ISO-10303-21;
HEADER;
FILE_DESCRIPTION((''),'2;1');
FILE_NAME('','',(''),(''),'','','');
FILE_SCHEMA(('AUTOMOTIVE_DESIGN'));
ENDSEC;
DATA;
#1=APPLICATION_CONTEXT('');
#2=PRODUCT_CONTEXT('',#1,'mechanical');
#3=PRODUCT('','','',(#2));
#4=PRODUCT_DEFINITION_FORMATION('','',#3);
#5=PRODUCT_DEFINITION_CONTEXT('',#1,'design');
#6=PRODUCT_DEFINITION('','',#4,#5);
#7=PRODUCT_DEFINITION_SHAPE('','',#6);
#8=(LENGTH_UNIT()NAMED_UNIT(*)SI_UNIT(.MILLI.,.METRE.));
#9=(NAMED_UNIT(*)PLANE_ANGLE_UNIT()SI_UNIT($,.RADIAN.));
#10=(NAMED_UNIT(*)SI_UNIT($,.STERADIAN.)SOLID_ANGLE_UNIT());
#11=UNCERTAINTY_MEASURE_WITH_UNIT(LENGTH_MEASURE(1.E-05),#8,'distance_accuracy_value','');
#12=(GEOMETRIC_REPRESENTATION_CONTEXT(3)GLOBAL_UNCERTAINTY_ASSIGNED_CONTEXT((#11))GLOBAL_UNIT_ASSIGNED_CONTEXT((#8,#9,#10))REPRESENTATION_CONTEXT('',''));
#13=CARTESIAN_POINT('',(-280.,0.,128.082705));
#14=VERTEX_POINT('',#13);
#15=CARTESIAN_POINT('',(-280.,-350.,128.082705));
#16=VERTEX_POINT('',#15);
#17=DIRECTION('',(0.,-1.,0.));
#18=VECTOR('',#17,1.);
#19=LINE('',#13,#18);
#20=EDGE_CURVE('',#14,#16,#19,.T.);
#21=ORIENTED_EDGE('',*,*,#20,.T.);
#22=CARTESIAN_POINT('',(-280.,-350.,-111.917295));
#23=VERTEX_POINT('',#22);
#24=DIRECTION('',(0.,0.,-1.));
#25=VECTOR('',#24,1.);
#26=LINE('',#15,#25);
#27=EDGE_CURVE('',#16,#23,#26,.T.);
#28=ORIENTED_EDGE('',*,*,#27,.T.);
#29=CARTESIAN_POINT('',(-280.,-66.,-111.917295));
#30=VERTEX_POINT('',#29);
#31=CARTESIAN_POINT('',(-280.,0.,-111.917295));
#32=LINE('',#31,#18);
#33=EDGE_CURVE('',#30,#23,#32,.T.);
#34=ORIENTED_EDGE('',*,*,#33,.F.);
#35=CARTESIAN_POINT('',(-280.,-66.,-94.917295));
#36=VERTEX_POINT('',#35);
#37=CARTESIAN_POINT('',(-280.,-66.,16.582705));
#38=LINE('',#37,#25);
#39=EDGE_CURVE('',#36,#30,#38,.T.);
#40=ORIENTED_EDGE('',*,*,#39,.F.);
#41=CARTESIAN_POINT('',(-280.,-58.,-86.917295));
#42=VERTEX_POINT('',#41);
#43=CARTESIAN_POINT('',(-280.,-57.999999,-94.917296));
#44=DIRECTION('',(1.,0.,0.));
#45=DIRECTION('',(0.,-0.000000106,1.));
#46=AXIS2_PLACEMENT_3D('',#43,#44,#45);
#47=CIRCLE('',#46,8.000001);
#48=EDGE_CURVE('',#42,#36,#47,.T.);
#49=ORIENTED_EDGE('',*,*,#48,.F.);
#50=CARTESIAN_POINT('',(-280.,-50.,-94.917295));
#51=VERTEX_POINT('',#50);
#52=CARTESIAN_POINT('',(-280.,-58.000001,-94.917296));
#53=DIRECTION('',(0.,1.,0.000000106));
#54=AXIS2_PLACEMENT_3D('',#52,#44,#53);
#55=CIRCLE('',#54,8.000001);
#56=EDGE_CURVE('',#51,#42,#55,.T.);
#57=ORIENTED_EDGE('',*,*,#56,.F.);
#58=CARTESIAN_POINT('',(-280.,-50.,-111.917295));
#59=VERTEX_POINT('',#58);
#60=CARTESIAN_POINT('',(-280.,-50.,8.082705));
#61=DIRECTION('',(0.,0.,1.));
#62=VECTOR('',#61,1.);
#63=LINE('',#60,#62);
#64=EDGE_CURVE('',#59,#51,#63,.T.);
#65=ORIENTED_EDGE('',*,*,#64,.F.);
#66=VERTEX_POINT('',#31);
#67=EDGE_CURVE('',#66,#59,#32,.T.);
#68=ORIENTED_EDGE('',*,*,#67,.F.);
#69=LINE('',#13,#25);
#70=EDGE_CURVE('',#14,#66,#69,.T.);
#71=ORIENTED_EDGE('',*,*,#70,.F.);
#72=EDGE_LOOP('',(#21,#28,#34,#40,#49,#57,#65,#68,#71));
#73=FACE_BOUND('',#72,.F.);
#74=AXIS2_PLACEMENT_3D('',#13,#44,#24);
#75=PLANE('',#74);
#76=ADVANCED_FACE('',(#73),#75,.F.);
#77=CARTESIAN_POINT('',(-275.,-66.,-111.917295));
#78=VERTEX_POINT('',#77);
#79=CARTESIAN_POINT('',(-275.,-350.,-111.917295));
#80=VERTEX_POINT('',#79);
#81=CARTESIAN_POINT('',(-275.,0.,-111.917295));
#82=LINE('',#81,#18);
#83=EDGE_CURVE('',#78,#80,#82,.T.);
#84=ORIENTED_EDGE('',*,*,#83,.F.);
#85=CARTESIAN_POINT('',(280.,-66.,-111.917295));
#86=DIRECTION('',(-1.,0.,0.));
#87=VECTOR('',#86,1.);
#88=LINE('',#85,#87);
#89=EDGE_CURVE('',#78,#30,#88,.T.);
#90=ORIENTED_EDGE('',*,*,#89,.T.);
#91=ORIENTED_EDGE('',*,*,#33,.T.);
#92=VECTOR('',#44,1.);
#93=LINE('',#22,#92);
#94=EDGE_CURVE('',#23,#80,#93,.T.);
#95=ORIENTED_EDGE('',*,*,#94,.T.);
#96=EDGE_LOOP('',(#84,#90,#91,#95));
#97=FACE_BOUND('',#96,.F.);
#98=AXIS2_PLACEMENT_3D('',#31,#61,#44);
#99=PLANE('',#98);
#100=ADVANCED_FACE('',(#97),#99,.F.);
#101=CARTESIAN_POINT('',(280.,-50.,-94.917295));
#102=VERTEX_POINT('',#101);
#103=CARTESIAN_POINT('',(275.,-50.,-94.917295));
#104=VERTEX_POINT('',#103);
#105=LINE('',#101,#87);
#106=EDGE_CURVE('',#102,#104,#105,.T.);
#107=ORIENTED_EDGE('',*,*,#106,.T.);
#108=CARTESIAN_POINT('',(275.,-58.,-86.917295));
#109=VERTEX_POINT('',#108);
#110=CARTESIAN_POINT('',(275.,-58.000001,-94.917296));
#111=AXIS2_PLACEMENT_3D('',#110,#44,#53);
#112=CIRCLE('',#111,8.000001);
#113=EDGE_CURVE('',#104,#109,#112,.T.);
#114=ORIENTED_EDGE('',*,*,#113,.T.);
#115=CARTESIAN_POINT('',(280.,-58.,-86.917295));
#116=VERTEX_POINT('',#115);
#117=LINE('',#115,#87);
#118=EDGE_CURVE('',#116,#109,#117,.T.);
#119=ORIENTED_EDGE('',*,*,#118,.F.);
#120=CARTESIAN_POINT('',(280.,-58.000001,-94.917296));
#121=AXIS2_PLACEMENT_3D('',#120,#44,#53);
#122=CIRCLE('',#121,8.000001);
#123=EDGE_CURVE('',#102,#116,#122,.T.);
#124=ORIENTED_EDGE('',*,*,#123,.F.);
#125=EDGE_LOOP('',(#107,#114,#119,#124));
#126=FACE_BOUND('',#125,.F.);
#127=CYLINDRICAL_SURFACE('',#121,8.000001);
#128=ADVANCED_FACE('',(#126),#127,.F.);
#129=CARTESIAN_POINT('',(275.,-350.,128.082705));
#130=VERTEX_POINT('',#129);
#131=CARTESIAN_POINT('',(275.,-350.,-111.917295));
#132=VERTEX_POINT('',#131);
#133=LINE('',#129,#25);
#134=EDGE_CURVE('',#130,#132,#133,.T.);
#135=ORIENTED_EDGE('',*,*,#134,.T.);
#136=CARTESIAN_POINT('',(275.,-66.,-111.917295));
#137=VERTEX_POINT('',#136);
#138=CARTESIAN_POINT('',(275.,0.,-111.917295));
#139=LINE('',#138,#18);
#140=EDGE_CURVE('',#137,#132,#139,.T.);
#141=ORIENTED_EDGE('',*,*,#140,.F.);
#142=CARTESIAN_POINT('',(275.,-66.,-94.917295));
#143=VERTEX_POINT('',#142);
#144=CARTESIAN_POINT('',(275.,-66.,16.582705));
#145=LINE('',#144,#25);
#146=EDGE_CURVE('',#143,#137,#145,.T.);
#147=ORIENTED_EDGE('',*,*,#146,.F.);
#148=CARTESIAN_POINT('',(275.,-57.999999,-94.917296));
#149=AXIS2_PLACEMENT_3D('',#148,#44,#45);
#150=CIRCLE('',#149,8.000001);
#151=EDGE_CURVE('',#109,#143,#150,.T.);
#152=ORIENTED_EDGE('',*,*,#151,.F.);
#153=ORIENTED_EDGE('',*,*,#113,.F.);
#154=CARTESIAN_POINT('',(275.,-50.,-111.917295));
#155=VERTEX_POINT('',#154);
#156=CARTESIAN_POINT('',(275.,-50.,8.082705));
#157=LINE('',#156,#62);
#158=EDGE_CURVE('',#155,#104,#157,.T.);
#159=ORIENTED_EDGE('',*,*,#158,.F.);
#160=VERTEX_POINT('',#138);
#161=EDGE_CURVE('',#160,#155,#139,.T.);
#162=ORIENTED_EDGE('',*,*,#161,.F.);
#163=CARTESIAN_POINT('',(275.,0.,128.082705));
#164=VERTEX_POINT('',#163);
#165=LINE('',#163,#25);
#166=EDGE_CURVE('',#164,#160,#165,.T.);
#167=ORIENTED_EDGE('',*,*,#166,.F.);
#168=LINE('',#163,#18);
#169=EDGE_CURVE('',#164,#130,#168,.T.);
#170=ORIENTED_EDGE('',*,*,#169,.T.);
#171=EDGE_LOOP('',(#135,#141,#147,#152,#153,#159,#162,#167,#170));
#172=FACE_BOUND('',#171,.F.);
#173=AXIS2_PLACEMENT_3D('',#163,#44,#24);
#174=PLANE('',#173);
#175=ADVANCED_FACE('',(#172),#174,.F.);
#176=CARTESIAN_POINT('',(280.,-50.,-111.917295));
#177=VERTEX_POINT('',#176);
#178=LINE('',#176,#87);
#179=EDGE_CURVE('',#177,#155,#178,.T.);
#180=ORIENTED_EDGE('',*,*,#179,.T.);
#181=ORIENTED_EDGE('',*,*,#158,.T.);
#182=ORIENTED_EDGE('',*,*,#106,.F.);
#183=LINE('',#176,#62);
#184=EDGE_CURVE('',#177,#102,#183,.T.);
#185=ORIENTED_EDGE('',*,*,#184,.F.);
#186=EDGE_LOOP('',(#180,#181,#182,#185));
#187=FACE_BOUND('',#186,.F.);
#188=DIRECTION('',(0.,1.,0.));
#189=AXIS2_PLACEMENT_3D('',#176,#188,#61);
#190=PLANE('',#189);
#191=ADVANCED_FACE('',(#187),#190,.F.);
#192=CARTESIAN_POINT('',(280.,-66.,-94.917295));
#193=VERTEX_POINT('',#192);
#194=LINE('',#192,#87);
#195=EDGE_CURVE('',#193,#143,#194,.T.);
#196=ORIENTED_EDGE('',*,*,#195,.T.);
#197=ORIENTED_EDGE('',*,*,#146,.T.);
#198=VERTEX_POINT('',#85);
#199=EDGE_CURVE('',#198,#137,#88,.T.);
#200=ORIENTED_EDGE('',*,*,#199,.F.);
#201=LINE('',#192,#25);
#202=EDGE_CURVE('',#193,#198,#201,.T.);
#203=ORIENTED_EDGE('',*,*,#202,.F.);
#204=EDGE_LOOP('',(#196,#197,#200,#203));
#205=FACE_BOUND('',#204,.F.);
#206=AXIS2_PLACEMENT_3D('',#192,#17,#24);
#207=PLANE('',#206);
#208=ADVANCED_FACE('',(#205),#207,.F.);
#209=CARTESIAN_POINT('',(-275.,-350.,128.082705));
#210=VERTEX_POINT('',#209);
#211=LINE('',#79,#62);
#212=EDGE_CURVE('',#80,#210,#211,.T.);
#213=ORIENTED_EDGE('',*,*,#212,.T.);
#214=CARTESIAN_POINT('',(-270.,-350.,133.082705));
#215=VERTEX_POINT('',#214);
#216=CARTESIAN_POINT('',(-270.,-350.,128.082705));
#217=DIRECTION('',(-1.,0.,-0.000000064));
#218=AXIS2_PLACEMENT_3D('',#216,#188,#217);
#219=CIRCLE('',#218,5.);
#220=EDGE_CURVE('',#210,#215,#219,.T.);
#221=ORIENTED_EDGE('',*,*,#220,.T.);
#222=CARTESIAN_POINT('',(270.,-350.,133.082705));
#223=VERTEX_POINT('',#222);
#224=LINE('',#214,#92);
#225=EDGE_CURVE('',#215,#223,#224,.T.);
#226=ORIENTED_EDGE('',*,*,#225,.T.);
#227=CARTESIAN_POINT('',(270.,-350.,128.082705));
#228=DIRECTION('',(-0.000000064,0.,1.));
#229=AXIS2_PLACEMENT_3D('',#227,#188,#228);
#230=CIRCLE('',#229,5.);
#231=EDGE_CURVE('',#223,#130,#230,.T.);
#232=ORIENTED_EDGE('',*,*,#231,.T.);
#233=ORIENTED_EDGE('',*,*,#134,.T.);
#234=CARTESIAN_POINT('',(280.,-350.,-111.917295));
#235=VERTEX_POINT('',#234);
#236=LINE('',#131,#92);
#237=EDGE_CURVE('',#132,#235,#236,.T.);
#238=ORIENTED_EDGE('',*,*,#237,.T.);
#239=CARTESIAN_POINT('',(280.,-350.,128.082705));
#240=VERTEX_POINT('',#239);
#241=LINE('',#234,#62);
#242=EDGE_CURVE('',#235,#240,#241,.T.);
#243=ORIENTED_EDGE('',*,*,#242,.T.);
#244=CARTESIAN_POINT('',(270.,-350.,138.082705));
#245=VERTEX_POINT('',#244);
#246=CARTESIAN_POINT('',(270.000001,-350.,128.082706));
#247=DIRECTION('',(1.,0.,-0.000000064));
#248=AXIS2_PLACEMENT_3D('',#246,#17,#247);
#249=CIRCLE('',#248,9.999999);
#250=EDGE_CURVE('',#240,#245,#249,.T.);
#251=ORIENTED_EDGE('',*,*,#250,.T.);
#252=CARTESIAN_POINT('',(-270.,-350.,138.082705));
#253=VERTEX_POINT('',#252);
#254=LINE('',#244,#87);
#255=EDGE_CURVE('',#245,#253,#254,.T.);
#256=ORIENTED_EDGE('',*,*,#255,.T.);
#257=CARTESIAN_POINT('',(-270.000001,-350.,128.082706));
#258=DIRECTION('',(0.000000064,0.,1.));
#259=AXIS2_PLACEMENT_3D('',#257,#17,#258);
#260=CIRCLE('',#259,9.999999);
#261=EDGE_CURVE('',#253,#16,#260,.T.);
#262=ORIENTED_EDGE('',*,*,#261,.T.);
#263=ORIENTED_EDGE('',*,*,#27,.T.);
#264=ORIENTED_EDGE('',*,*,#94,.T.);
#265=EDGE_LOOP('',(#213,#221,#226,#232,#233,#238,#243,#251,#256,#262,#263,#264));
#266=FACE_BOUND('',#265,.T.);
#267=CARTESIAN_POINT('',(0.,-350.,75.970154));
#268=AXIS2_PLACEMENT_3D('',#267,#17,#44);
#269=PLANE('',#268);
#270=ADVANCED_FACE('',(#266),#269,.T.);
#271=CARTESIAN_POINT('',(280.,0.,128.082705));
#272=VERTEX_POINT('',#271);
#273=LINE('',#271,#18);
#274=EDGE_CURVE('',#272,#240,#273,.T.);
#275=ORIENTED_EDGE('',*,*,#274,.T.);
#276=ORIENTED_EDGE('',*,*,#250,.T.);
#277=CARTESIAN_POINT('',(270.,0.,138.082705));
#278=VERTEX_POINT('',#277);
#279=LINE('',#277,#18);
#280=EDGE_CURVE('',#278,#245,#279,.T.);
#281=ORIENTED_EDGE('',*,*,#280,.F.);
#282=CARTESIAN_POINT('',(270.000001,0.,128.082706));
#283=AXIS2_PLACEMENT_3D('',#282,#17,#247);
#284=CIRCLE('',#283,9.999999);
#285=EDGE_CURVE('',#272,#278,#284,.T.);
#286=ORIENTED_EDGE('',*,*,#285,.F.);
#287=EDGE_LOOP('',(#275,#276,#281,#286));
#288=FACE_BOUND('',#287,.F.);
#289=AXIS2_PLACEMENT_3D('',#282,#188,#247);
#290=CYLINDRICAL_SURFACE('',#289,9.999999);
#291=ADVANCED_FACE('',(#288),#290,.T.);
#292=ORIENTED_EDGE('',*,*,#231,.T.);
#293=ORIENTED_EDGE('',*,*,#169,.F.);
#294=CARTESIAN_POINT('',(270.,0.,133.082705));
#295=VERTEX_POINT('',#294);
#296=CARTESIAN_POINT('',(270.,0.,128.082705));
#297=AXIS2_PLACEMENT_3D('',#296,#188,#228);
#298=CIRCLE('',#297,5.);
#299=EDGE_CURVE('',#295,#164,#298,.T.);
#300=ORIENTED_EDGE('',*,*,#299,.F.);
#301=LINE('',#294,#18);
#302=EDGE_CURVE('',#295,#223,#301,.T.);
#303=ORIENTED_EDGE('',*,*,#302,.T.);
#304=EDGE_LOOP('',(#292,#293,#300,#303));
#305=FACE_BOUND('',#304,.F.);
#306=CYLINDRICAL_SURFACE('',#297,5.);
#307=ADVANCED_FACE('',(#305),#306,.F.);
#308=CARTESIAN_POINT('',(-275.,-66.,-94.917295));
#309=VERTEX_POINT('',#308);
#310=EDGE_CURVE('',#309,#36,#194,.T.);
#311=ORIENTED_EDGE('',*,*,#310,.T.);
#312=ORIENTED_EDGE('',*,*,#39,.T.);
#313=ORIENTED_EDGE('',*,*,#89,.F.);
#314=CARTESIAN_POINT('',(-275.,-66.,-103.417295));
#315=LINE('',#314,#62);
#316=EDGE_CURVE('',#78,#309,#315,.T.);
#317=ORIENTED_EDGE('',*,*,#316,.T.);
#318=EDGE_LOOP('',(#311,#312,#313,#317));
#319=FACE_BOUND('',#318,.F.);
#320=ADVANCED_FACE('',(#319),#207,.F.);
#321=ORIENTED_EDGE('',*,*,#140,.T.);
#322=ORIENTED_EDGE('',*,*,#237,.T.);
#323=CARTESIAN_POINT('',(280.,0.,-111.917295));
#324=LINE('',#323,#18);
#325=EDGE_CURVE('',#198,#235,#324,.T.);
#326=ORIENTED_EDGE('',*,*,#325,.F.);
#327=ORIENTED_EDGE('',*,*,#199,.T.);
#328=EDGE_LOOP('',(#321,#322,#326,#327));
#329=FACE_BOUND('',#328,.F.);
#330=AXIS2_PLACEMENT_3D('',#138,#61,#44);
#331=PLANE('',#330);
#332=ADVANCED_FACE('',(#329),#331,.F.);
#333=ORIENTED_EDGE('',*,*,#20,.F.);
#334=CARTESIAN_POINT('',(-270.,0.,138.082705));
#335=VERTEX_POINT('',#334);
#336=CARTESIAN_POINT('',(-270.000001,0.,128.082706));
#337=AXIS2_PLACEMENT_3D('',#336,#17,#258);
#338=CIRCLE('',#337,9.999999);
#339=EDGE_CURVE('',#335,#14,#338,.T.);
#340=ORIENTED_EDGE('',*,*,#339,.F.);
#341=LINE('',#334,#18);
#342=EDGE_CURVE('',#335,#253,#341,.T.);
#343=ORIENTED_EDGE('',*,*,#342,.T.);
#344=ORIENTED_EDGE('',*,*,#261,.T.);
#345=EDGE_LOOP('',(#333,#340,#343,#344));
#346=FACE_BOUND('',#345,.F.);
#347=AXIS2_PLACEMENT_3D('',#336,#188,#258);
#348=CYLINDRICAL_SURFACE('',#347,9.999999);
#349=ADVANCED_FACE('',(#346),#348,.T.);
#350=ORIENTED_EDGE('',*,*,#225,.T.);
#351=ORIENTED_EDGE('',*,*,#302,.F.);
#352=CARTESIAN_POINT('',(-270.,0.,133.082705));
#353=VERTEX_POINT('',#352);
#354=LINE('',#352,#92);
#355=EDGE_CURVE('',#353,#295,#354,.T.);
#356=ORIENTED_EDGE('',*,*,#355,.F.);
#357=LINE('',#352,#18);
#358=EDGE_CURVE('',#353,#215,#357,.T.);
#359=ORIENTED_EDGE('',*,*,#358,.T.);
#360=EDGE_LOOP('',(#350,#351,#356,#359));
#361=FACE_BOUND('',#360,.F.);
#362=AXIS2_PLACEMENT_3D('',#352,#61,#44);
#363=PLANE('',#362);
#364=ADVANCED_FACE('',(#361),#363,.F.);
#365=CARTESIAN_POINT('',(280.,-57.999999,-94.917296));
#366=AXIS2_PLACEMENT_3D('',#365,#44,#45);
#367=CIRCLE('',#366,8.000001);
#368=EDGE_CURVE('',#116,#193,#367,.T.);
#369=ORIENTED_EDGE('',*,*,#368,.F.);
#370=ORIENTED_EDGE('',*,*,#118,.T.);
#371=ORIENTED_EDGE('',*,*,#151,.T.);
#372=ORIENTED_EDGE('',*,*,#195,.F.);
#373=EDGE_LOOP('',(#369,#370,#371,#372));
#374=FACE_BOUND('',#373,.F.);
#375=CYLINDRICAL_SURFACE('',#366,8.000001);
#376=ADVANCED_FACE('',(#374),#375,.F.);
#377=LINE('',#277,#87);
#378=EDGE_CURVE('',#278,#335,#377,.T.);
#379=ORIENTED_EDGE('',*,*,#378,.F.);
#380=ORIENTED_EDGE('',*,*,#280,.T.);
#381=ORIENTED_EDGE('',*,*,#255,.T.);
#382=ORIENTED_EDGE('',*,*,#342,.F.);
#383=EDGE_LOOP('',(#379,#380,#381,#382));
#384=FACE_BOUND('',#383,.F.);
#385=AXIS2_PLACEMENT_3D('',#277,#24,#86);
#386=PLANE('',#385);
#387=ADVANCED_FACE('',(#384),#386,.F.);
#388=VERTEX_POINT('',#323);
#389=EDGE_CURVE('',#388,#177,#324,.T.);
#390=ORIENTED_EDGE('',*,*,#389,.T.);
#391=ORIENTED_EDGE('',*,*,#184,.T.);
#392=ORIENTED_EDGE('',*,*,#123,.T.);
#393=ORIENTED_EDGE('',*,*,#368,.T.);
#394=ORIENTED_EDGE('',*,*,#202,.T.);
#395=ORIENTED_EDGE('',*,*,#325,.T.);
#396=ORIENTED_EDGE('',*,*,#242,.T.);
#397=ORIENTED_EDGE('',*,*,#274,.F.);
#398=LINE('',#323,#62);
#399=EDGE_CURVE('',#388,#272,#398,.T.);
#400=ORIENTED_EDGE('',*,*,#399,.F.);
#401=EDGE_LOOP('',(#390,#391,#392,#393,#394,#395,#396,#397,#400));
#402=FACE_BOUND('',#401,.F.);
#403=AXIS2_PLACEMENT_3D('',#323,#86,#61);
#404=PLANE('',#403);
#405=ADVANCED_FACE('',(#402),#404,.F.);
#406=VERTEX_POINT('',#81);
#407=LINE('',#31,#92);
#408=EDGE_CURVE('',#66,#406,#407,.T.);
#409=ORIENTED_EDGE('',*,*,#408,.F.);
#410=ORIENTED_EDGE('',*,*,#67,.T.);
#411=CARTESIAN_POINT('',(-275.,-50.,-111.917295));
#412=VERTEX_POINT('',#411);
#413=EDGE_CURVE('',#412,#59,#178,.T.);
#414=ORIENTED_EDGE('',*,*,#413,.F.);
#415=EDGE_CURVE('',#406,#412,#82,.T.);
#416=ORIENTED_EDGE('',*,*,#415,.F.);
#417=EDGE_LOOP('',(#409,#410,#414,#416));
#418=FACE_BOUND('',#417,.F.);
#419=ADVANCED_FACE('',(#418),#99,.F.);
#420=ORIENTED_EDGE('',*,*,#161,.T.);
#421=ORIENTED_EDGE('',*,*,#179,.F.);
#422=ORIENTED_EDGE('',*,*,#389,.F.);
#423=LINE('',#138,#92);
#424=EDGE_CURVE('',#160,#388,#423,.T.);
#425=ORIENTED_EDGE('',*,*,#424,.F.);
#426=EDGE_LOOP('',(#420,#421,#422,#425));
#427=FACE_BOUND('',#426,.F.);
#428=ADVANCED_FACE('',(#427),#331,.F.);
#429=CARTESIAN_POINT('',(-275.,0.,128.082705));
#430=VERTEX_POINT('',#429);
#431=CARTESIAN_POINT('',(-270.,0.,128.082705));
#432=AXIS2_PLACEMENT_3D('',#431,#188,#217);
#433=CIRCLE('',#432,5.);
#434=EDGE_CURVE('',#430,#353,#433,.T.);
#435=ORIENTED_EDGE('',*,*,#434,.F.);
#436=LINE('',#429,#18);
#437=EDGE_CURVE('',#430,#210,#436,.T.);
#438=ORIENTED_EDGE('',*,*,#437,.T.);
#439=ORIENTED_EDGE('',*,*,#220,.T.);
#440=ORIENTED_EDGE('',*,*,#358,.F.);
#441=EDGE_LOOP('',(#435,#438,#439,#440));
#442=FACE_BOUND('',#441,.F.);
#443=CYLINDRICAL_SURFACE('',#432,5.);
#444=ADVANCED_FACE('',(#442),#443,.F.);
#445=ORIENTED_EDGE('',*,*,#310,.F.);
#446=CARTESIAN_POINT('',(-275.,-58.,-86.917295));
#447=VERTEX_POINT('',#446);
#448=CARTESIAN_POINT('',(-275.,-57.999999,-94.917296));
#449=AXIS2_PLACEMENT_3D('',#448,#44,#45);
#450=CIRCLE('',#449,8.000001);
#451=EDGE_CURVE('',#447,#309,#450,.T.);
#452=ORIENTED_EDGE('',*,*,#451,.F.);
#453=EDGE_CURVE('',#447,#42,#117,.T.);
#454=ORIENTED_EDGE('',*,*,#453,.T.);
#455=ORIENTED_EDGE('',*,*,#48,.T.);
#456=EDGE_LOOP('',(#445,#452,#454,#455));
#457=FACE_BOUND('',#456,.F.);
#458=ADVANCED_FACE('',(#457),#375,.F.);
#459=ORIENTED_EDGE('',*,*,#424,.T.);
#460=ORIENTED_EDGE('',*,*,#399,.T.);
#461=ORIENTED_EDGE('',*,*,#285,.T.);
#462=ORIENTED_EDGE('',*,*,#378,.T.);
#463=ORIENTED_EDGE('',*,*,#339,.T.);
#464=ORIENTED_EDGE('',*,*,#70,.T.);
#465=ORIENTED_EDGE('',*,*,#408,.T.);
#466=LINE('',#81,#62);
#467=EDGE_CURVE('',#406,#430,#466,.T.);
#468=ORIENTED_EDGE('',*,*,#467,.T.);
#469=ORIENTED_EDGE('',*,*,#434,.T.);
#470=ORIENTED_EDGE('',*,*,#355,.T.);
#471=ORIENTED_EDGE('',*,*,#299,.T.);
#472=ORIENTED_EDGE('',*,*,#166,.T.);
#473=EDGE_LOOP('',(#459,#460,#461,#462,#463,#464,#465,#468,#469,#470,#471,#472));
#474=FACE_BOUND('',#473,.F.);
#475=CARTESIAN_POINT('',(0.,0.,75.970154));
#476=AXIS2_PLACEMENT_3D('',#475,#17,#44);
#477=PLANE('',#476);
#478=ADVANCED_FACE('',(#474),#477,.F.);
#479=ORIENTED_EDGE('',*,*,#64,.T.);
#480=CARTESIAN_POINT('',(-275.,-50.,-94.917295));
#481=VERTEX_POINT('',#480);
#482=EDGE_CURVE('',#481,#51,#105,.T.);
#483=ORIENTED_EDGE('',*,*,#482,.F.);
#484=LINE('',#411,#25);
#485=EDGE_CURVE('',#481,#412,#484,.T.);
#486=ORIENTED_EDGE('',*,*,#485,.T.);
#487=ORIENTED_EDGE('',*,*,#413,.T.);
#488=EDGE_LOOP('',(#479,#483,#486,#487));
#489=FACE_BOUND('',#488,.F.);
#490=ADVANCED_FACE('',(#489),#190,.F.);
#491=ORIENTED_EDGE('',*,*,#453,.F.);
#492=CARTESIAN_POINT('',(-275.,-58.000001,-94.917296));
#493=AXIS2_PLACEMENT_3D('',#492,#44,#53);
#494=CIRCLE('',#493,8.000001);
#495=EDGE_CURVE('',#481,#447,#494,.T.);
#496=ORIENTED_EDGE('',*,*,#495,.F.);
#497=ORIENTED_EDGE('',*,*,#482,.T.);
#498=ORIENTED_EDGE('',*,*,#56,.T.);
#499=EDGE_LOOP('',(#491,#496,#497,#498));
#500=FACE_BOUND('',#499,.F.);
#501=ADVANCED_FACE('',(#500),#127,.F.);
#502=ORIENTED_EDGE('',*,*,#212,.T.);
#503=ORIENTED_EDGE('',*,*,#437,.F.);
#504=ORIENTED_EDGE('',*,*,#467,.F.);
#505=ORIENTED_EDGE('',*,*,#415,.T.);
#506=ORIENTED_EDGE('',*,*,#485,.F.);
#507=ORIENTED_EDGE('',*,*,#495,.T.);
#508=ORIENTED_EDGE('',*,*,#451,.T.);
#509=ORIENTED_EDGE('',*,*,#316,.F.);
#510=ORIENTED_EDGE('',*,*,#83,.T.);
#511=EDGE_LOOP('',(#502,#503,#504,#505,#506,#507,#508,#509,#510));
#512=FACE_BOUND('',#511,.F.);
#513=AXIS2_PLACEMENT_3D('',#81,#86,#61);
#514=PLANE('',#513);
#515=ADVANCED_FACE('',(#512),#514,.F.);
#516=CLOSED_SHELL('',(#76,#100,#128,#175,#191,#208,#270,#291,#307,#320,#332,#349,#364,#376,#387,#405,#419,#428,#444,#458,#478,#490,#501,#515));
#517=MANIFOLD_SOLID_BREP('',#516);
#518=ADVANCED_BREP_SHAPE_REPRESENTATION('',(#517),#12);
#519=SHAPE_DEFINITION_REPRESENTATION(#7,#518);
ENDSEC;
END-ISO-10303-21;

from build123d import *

# Parameters (mm, degrees)
F1_DEPTH = 350
F3_DEPTH = 560.001


with BuildPart() as f1:
    # F0 (on Front) → F1 (new body)
    with BuildSketch(Plane.XZ):
        with BuildLine():
            Line((270, 138.082705), (-270, 138.082705))
            ThreePointArc((-270, 138.082705), (-277.071068, 135.153773), (-280, 128.082705))
            Line((-280, 128.082705), (-280, -111.917295))
            Line((-280, -111.917295), (-275, -111.917295))
            Line((-275, -111.917295), (-275, 128.082705))
            ThreePointArc((-275, 128.082705), (-273.535534, 131.618239), (-270, 133.082705))
            Line((-270, 133.082705), (270, 133.082705))
            ThreePointArc((270, 133.082705), (273.535534, 131.618239), (275, 128.082705))
            Line((275, 128.082705), (275, -111.917295))
            Line((275, -111.917295), (280, -111.917295))
            Line((280, -111.917295), (280, 128.082705))
            ThreePointArc((280, 128.082705), (277.071068, 135.153773), (270, 138.082705))
        make_face()
    extrude(amount=F1_DEPTH)

    # F2 (on face) → F3 (cut, through all)
    with BuildSketch(Plane.YZ.offset(280)):
        with BuildLine():
            Line((-66, -94.917295), (-66, -111.917295))
            Line((-66, -111.917295), (-50, -111.917295))
            Line((-50, -111.917295), (-50, -94.917295))
            ThreePointArc((-50, -94.917295), (-52.343146, -89.260441), (-58, -86.917295))
            ThreePointArc((-58, -86.917295), (-63.656854, -89.260441), (-66, -94.917295))
        make_face()
    extrude(amount=-F3_DEPTH, mode=Mode.SUBTRACT)


solid = f1.part
